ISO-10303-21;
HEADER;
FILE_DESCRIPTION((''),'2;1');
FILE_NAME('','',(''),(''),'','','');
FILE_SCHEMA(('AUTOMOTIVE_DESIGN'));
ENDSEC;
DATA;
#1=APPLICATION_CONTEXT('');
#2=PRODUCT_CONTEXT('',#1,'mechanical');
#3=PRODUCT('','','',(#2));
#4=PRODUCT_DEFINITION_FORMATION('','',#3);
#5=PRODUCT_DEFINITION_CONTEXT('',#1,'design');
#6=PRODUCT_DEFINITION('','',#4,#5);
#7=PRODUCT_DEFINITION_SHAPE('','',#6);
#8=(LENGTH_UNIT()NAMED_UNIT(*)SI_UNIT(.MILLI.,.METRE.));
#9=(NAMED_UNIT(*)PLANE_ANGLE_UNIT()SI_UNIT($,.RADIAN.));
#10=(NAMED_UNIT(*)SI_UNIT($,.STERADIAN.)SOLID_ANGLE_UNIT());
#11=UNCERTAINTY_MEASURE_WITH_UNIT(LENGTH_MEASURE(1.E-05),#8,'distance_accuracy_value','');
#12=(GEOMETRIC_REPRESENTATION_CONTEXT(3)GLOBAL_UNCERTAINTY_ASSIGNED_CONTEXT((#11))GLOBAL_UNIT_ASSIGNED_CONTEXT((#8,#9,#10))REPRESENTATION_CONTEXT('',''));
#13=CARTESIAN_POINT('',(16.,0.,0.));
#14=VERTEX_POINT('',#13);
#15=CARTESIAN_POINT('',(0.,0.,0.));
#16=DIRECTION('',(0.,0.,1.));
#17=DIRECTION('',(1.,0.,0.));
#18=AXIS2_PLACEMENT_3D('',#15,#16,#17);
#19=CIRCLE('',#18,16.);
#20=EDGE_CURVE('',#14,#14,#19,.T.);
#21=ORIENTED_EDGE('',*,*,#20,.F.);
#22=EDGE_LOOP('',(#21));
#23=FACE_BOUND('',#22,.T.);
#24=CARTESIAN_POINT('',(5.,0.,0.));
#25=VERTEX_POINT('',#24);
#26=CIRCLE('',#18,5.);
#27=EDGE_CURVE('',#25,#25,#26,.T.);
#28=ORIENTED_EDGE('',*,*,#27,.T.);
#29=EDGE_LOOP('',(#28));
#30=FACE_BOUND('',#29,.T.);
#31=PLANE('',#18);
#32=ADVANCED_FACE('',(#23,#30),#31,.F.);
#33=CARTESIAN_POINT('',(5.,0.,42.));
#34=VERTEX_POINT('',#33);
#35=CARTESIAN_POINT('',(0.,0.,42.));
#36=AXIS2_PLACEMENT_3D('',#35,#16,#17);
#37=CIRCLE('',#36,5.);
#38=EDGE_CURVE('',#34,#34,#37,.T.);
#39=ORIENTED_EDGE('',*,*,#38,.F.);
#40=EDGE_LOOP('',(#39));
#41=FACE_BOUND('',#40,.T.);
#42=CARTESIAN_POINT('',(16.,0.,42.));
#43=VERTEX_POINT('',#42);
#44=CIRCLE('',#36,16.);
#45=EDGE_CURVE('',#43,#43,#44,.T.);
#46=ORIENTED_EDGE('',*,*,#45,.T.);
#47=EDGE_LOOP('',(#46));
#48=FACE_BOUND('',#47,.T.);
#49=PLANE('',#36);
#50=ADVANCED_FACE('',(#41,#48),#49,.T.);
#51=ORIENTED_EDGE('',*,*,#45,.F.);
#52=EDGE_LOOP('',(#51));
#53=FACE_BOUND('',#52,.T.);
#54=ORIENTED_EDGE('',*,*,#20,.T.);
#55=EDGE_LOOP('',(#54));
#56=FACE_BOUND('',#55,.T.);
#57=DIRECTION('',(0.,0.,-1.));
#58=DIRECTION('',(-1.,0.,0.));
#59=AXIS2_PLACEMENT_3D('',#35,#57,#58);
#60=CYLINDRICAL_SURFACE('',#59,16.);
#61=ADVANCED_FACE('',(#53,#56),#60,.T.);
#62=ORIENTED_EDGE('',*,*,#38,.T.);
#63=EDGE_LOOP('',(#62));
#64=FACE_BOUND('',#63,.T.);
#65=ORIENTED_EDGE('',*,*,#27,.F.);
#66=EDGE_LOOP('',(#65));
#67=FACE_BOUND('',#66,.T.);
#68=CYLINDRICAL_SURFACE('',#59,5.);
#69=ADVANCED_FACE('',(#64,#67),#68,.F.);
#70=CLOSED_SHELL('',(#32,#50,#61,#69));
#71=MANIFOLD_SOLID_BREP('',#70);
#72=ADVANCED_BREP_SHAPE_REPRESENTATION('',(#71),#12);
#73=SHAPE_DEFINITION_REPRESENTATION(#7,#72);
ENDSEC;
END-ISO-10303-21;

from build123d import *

# Parameters (mm, degrees)
SZKIC1_R                    = 16
SZKIC1_R_2                  = 5
DODANIE_WYCI_GNI_CIE1_DEPTH = 42


with BuildPart() as part:
    # Szkic1 → Dodanie-wyciągnięcie1 (new body)
    with BuildSketch(Plane.XY):
        Circle(SZKIC1_R)
        Circle(SZKIC1_R_2, mode=Mode.SUBTRACT)
    extrude(amount=DODANIE_WYCI_GNI_CIE1_DEPTH)


solid = part.part
